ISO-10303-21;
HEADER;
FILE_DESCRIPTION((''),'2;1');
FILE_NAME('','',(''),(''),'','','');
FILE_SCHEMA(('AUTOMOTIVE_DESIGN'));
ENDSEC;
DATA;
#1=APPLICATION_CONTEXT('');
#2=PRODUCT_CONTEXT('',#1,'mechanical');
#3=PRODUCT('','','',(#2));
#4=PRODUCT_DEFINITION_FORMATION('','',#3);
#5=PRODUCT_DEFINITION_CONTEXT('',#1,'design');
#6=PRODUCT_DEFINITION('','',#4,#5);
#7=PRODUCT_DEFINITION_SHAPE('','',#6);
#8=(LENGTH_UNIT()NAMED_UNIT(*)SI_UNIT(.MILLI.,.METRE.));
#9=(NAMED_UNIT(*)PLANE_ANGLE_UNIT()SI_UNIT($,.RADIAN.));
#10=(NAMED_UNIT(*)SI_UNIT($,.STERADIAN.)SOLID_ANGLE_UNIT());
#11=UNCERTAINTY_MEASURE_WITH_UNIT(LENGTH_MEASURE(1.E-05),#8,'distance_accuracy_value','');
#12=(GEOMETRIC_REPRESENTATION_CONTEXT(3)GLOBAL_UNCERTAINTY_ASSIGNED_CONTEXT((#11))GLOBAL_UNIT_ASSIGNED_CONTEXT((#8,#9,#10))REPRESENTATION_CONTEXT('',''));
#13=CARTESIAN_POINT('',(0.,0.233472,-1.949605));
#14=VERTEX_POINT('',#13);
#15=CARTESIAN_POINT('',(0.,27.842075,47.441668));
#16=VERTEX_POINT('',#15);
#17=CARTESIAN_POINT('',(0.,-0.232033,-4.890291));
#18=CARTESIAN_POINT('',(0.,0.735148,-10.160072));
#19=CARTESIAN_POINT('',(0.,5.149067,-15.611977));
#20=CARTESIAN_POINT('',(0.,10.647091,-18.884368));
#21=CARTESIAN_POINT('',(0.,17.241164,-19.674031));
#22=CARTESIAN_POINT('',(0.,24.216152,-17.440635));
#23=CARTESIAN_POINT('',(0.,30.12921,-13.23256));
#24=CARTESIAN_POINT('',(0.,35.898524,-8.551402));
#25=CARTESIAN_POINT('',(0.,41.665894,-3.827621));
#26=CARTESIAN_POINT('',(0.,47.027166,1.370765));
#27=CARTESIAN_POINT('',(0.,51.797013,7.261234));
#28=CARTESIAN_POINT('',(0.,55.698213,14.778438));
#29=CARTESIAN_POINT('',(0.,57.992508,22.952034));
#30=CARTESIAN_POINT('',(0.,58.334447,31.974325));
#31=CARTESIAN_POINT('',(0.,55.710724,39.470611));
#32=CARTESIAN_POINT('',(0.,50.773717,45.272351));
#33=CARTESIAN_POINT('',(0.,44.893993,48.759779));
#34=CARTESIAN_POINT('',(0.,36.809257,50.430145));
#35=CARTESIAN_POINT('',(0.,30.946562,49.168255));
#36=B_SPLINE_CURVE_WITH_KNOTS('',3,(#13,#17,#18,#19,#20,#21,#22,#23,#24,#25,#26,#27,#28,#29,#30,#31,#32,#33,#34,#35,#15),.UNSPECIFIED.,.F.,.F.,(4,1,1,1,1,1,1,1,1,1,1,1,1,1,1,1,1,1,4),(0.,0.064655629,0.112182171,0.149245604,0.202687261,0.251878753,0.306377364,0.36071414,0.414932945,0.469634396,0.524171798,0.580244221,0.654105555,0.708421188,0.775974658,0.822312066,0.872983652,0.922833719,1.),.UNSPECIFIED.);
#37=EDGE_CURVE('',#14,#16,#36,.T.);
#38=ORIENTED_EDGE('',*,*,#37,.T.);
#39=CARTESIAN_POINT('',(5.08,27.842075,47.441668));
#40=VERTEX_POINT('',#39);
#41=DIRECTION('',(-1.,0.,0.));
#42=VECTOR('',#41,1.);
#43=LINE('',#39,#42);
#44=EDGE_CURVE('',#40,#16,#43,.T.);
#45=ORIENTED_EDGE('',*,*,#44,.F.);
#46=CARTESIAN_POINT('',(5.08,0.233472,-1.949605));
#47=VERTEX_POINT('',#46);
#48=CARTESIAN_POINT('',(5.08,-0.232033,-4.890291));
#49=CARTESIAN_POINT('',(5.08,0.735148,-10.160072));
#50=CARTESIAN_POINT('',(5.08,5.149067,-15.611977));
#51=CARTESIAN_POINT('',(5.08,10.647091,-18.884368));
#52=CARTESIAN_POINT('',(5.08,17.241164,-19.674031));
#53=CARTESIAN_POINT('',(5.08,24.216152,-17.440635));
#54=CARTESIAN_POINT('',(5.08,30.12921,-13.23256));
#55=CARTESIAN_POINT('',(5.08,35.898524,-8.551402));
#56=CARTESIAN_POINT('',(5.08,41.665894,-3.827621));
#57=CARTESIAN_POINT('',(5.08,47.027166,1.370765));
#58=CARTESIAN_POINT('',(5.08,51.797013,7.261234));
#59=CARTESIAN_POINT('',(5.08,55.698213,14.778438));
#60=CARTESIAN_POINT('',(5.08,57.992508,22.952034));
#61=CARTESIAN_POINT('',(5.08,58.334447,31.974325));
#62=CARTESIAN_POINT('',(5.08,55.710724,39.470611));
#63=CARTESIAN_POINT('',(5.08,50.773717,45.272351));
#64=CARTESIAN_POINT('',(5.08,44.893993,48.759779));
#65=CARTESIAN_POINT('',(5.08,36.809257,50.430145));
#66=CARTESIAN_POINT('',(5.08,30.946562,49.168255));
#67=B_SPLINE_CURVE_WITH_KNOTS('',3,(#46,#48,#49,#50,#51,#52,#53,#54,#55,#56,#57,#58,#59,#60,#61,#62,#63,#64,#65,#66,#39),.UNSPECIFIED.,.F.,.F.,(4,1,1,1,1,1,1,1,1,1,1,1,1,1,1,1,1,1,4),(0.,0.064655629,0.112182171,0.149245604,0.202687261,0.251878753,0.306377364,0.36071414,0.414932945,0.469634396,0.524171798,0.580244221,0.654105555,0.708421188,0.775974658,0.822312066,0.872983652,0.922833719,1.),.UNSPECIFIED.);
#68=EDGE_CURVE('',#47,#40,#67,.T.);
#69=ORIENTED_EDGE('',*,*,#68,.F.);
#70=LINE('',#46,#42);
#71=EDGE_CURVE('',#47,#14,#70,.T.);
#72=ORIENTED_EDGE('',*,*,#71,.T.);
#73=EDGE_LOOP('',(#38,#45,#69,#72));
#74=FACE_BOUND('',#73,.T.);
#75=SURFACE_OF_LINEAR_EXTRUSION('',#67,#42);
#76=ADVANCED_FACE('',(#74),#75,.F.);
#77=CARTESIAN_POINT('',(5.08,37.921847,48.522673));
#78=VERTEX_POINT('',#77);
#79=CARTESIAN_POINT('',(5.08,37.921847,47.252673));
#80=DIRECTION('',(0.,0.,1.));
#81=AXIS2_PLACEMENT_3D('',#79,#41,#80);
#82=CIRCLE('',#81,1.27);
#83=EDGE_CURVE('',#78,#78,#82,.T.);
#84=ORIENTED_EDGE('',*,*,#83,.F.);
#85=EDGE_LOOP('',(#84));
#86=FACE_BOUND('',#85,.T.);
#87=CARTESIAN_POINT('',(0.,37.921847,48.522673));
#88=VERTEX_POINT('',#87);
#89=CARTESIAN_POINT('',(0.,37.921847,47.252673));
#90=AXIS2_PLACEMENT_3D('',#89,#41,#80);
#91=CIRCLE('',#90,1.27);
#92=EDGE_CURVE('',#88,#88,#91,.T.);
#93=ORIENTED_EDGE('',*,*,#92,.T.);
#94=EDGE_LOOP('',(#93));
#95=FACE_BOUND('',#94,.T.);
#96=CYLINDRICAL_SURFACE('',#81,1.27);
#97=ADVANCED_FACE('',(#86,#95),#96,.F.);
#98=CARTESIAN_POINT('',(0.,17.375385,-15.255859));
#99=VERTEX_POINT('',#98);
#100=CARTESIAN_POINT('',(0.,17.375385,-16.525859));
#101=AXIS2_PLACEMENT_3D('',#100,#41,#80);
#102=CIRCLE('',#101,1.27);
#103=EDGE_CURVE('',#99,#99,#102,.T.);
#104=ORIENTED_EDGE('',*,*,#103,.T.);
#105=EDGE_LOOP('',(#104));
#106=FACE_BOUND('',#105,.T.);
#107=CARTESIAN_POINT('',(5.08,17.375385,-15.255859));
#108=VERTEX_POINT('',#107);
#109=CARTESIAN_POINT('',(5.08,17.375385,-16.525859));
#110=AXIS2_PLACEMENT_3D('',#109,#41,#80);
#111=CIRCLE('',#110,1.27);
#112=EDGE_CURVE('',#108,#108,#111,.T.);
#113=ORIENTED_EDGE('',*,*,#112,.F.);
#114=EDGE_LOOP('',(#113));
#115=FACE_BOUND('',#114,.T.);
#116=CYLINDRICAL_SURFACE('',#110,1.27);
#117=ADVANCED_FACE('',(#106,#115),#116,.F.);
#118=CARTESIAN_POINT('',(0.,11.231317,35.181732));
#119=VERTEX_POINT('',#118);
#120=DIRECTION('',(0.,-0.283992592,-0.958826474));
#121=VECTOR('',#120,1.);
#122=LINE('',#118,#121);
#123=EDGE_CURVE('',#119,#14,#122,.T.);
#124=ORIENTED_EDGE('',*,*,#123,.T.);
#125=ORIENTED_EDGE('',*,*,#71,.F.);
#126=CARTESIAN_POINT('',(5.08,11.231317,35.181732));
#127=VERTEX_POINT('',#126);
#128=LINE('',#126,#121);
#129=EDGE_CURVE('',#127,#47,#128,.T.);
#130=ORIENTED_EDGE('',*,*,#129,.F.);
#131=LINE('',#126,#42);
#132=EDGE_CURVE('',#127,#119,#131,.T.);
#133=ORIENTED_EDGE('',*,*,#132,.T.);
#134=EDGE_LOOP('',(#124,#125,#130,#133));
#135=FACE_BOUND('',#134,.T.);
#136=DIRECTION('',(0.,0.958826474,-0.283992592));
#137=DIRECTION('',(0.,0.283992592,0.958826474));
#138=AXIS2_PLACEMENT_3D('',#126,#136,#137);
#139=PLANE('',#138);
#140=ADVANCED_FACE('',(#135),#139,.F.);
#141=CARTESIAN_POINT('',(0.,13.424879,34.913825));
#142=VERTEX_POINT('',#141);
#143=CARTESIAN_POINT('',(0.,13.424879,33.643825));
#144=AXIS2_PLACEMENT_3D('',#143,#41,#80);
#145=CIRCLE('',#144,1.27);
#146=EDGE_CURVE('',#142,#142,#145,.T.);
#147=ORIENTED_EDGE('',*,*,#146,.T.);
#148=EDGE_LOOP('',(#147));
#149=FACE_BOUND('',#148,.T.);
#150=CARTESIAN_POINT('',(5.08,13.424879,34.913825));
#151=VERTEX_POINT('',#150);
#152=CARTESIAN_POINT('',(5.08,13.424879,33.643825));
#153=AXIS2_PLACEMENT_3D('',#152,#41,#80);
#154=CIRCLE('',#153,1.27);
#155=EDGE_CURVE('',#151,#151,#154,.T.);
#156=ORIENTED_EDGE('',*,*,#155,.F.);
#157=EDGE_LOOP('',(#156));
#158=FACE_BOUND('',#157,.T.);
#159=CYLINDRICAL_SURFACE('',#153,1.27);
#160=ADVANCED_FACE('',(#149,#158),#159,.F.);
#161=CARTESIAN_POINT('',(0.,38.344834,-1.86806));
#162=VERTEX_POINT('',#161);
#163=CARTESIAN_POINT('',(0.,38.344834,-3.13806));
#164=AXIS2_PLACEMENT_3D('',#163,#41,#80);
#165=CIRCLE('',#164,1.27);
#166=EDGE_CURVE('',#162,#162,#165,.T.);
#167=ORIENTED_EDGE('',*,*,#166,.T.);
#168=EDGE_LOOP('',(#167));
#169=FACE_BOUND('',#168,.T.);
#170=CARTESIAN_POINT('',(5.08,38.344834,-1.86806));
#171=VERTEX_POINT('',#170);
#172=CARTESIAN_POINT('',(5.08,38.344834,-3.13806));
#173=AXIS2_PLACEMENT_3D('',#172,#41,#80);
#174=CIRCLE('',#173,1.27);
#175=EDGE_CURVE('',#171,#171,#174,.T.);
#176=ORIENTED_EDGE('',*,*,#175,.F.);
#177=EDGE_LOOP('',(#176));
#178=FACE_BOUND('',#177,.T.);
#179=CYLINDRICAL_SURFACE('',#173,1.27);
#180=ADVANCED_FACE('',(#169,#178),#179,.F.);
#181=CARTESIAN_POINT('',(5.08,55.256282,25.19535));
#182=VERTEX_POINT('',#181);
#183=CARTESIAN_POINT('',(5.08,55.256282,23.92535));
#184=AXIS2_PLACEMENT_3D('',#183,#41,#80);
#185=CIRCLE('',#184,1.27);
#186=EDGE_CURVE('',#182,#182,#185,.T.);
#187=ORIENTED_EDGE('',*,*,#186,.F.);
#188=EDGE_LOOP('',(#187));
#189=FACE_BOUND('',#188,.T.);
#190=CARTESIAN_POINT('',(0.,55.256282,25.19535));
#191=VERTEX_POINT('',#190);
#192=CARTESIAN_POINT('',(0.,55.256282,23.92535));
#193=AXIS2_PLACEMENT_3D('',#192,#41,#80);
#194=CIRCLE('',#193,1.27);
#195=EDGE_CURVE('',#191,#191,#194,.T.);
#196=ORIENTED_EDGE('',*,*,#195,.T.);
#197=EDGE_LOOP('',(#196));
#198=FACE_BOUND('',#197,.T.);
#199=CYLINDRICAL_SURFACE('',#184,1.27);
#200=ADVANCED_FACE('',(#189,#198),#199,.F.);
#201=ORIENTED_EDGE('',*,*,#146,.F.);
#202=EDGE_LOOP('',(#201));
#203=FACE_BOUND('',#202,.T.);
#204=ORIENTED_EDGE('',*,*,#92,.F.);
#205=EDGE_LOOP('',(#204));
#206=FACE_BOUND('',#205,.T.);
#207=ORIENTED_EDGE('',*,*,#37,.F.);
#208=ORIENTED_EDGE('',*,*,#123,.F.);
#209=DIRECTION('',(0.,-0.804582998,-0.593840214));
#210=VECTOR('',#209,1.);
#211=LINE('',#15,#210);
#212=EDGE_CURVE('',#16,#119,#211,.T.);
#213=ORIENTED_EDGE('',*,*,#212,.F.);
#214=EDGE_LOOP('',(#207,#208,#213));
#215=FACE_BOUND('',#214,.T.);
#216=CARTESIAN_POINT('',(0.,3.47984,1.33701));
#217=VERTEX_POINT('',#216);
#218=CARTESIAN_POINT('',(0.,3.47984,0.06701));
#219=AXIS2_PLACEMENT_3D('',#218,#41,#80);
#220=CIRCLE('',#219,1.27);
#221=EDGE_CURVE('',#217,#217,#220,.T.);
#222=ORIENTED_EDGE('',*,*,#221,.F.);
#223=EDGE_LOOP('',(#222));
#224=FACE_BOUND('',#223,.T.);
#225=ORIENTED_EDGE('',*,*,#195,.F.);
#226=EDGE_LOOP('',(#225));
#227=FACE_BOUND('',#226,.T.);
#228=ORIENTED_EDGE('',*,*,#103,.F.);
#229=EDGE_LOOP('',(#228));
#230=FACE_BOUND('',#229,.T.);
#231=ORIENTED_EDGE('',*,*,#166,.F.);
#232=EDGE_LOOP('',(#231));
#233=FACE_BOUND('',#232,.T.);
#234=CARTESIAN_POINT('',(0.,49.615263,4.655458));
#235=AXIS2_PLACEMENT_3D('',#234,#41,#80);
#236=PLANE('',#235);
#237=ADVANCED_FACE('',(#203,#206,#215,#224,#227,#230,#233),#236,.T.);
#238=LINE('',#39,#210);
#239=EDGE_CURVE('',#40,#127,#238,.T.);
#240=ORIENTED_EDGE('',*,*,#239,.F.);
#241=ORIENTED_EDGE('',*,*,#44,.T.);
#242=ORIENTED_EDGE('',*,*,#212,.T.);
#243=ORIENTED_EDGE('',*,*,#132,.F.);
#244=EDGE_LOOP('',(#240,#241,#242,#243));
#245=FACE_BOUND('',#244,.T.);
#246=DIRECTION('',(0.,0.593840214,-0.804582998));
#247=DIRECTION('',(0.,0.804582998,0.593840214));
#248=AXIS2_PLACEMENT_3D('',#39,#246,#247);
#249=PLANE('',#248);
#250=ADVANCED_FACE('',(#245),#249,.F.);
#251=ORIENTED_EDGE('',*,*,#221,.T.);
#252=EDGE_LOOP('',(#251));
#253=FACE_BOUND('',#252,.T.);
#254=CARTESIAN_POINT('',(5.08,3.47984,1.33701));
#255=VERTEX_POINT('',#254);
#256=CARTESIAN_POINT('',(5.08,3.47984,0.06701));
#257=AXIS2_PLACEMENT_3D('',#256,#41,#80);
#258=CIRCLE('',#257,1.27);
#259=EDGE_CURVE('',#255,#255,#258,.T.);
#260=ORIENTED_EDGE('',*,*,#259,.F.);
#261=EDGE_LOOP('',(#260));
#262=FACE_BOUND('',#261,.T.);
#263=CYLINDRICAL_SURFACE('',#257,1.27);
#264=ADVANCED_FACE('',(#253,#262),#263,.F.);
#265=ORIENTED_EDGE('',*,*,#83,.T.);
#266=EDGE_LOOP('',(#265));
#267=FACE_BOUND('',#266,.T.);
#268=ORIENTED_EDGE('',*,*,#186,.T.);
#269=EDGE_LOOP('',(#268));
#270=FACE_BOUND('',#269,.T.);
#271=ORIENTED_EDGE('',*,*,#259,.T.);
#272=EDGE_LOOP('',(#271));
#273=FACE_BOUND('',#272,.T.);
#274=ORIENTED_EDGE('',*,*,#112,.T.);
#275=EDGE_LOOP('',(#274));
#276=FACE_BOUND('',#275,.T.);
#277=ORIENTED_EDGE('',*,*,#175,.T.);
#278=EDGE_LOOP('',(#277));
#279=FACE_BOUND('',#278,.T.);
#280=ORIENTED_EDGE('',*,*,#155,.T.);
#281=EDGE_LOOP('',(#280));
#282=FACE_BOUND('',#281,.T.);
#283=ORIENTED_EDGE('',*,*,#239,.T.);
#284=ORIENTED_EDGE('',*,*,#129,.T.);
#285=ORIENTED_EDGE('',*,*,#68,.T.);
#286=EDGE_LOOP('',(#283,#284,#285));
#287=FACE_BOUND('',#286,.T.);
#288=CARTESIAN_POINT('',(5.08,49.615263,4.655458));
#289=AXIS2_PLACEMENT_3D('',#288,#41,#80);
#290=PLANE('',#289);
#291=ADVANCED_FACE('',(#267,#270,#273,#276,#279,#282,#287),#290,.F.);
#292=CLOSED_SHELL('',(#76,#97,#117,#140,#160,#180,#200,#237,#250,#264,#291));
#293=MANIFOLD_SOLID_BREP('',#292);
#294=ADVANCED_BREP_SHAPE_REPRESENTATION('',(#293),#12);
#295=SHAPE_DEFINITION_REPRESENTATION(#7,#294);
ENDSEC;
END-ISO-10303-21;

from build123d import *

# Parameters (mm, degrees)
BOSS_EXTRUDE1_DEPTH = 5.08
SKETCH4_R           = 1.27
CUT_EXTRUDE1_DEPTH  = 5.08


with BuildPart() as part:
    # Sketch3 → Boss-Extrude1 (new body)
    with BuildSketch(Plane(origin=(0, 0, 0), x_dir=(0, 0, -1), z_dir=(1, 0, 0))):
        with BuildLine():
            Line((-47.441668349, 27.842074628), (-35.181732411, 11.231316753))
            Line((-35.181732411, 11.231316753), (1.949605381, 0.233471835))
            add(Edge.make_bspline(
                [(1.949605381, 0.233471835), (4.890290938, -0.232032838), (10.160071566, 0.735147888), (15.611977012, 5.149067238), (18.884368216, 10.647091461), (19.674030919, 17.241164019), (17.440635046, 24.216151913), (13.232560428, 30.12920969), (8.551401796, 35.89852438), (3.827620866, 41.665894045), (-1.370765068, 47.027165705), (-7.261234365, 51.79701328), (-14.7784376, 55.698212535), (-22.952033614, 57.992508455), (-31.974324582, 58.334446998), (-39.470610931, 55.71072363), (-45.272350716, 50.773717258), (-48.759778621, 44.89399317), (-50.430145497, 36.809256899), (-49.168255002, 30.946562306), (-47.441668349, 27.842074628)],
                knots=[0, 0, 0, 0, 0.064655629, 0.112182171, 0.149245604, 0.202687261, 0.251878753, 0.306377364, 0.36071414, 0.414932945, 0.469634396, 0.524171798, 0.580244221, 0.654105555, 0.708421188, 0.775974658, 0.822312066, 0.872983652, 0.922833719, 1, 1, 1, 1], degree=3))
        make_face()
    extrude(amount=BOSS_EXTRUDE1_DEPTH)

    # Sketch4 → Cut-Extrude1 (cut)
    with BuildSketch(Plane.ZY):
        with Locations((33.643824541, 13.424879002)):
            Circle(SKETCH4_R)
        with Locations((47.252672641, 37.921847406)):
            Circle(SKETCH4_R)
        with Locations((23.925350422, 55.256282012)):
            Circle(SKETCH4_R)
        with Locations((-3.138060322, 38.344834007)):
            Circle(SKETCH4_R)
        with Locations((-16.525859122, 17.375384785)):
            Circle(SKETCH4_R)
        with Locations((0.06701047, 3.47984023)):
            Circle(SKETCH4_R)
    extrude(amount=-CUT_EXTRUDE1_DEPTH, mode=Mode.SUBTRACT)


solid = part.part
